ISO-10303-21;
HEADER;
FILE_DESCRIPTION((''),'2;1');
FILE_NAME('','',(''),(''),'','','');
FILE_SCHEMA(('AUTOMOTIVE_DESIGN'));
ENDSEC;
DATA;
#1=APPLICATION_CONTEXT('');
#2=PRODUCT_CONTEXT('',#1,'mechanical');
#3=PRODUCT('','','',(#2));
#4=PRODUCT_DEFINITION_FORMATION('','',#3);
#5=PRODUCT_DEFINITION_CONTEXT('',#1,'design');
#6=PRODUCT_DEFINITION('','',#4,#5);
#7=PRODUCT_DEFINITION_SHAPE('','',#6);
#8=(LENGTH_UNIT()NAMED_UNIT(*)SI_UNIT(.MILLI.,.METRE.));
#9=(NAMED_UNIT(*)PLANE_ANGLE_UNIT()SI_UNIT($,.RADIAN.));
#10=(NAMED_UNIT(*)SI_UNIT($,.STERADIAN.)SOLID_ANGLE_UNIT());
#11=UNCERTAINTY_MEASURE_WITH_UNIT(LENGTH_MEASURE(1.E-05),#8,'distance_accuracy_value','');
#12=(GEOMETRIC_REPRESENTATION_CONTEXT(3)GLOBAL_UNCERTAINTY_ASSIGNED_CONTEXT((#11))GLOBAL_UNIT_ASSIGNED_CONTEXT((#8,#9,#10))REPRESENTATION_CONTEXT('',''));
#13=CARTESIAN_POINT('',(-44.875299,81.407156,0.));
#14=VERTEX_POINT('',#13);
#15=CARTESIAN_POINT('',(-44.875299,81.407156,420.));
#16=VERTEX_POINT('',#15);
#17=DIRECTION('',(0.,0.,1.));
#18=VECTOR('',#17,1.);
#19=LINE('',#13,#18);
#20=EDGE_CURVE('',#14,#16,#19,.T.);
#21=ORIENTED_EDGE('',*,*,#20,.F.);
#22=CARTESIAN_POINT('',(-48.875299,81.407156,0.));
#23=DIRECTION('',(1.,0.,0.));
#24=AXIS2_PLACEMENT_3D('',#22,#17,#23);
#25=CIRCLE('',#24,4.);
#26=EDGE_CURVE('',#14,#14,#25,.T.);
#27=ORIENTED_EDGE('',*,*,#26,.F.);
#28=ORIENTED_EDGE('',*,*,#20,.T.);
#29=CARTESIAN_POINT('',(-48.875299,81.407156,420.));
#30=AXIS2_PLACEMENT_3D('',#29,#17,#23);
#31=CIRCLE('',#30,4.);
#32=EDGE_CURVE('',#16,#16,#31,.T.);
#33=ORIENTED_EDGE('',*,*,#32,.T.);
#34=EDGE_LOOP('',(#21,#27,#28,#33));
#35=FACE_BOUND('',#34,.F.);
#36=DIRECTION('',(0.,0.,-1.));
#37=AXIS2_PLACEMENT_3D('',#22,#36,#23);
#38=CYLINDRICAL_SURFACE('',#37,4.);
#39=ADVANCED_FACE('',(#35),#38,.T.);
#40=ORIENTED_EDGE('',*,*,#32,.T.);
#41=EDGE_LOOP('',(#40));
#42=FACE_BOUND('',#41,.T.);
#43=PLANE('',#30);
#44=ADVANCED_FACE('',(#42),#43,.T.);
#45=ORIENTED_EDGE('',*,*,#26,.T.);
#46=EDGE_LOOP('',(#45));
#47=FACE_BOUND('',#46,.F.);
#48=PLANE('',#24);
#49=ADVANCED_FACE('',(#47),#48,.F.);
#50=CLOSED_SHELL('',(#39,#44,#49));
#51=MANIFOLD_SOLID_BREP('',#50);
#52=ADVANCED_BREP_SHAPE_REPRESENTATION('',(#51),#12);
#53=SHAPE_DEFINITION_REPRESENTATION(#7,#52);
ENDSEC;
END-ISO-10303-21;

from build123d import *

# Parameters (mm, degrees)
ESBO_O1_R                = 4
RESSALTO_EXTRUS_O1_DEPTH = 420


with BuildPart() as part:
    # Esboço1 → Ressalto-extrusão1 (new body)
    with BuildSketch(Plane.XY):
        with Locations((-48.875298619, 81.407156415)):
            Circle(ESBO_O1_R)
    extrude(amount=RESSALTO_EXTRUS_O1_DEPTH)


solid = part.part
